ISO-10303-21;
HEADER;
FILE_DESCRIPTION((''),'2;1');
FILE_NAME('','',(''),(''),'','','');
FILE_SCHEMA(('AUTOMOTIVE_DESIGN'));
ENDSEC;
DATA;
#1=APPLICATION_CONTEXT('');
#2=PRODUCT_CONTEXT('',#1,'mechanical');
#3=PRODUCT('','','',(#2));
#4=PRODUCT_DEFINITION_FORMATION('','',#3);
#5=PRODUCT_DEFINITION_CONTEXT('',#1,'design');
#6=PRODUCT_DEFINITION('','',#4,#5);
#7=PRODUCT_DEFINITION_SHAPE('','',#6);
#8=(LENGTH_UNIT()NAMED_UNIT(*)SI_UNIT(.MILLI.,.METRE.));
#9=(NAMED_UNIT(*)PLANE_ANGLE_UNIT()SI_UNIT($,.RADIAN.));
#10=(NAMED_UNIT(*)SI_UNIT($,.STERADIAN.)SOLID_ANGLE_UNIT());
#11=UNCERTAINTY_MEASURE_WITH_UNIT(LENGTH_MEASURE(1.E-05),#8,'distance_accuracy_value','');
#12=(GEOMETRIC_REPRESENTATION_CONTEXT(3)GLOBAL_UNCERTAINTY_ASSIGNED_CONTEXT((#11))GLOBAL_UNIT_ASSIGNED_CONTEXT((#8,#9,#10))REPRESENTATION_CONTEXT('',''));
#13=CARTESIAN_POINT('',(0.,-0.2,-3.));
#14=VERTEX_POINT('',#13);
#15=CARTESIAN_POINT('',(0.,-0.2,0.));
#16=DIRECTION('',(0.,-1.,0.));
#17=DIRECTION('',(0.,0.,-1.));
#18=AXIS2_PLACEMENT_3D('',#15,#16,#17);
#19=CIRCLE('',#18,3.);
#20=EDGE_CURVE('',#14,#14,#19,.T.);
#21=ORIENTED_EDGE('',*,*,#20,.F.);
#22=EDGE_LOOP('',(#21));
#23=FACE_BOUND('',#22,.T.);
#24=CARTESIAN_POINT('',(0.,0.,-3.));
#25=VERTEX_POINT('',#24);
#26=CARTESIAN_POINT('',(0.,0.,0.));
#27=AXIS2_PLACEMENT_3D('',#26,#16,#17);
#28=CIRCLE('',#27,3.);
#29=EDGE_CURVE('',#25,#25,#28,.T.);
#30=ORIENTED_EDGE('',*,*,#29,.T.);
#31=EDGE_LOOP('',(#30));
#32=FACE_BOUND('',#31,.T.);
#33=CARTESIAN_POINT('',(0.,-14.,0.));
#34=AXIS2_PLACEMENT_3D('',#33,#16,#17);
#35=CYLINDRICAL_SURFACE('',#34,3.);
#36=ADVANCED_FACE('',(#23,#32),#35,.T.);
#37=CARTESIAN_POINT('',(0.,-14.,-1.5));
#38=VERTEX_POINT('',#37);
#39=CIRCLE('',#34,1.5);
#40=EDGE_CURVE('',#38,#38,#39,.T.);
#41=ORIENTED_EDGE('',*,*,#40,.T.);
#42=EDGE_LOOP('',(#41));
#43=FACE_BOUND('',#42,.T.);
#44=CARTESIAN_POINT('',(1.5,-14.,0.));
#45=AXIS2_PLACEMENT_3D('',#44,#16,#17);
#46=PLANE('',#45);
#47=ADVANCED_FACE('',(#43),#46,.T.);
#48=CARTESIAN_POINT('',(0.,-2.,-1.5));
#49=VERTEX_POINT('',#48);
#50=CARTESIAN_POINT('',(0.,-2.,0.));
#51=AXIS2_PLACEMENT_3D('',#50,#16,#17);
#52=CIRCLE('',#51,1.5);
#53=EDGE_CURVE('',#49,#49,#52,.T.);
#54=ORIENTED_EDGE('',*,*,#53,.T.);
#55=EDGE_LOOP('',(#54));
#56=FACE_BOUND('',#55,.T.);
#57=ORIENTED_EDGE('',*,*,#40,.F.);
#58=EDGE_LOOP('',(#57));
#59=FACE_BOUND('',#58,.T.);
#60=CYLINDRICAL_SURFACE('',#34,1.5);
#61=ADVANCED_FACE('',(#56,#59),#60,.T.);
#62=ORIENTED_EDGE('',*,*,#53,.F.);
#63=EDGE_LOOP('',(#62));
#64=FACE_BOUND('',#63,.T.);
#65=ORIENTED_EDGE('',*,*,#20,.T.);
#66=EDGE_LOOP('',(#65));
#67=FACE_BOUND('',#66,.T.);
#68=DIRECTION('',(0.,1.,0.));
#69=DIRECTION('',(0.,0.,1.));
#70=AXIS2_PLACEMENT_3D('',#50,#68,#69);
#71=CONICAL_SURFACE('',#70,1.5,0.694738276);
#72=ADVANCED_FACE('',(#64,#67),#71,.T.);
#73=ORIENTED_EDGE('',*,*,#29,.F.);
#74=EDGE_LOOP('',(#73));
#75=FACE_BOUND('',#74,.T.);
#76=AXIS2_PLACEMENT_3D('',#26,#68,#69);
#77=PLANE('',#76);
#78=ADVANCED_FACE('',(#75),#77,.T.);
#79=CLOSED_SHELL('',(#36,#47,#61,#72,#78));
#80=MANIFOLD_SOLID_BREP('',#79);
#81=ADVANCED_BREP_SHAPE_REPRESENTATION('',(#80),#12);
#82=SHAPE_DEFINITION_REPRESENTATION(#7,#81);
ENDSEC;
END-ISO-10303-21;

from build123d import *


with BuildPart() as part:
    # 草图2 → 旋转1 (revolve)
    with BuildSketch(Plane.XY, mode=Mode.PRIVATE) as revolve_1_sk:
        Polygon((0, 0), (3, 0), (3, -0.2), (1.5, -2), (1.5, -14), (0, -14), align=None)
    revolve(revolve_1_sk.sketch.rotate(Axis((0, -14, 0), (0, 1, 0)), 90), axis=Axis((0, -14, 0), (0, 1, 0)))


solid = part.part
